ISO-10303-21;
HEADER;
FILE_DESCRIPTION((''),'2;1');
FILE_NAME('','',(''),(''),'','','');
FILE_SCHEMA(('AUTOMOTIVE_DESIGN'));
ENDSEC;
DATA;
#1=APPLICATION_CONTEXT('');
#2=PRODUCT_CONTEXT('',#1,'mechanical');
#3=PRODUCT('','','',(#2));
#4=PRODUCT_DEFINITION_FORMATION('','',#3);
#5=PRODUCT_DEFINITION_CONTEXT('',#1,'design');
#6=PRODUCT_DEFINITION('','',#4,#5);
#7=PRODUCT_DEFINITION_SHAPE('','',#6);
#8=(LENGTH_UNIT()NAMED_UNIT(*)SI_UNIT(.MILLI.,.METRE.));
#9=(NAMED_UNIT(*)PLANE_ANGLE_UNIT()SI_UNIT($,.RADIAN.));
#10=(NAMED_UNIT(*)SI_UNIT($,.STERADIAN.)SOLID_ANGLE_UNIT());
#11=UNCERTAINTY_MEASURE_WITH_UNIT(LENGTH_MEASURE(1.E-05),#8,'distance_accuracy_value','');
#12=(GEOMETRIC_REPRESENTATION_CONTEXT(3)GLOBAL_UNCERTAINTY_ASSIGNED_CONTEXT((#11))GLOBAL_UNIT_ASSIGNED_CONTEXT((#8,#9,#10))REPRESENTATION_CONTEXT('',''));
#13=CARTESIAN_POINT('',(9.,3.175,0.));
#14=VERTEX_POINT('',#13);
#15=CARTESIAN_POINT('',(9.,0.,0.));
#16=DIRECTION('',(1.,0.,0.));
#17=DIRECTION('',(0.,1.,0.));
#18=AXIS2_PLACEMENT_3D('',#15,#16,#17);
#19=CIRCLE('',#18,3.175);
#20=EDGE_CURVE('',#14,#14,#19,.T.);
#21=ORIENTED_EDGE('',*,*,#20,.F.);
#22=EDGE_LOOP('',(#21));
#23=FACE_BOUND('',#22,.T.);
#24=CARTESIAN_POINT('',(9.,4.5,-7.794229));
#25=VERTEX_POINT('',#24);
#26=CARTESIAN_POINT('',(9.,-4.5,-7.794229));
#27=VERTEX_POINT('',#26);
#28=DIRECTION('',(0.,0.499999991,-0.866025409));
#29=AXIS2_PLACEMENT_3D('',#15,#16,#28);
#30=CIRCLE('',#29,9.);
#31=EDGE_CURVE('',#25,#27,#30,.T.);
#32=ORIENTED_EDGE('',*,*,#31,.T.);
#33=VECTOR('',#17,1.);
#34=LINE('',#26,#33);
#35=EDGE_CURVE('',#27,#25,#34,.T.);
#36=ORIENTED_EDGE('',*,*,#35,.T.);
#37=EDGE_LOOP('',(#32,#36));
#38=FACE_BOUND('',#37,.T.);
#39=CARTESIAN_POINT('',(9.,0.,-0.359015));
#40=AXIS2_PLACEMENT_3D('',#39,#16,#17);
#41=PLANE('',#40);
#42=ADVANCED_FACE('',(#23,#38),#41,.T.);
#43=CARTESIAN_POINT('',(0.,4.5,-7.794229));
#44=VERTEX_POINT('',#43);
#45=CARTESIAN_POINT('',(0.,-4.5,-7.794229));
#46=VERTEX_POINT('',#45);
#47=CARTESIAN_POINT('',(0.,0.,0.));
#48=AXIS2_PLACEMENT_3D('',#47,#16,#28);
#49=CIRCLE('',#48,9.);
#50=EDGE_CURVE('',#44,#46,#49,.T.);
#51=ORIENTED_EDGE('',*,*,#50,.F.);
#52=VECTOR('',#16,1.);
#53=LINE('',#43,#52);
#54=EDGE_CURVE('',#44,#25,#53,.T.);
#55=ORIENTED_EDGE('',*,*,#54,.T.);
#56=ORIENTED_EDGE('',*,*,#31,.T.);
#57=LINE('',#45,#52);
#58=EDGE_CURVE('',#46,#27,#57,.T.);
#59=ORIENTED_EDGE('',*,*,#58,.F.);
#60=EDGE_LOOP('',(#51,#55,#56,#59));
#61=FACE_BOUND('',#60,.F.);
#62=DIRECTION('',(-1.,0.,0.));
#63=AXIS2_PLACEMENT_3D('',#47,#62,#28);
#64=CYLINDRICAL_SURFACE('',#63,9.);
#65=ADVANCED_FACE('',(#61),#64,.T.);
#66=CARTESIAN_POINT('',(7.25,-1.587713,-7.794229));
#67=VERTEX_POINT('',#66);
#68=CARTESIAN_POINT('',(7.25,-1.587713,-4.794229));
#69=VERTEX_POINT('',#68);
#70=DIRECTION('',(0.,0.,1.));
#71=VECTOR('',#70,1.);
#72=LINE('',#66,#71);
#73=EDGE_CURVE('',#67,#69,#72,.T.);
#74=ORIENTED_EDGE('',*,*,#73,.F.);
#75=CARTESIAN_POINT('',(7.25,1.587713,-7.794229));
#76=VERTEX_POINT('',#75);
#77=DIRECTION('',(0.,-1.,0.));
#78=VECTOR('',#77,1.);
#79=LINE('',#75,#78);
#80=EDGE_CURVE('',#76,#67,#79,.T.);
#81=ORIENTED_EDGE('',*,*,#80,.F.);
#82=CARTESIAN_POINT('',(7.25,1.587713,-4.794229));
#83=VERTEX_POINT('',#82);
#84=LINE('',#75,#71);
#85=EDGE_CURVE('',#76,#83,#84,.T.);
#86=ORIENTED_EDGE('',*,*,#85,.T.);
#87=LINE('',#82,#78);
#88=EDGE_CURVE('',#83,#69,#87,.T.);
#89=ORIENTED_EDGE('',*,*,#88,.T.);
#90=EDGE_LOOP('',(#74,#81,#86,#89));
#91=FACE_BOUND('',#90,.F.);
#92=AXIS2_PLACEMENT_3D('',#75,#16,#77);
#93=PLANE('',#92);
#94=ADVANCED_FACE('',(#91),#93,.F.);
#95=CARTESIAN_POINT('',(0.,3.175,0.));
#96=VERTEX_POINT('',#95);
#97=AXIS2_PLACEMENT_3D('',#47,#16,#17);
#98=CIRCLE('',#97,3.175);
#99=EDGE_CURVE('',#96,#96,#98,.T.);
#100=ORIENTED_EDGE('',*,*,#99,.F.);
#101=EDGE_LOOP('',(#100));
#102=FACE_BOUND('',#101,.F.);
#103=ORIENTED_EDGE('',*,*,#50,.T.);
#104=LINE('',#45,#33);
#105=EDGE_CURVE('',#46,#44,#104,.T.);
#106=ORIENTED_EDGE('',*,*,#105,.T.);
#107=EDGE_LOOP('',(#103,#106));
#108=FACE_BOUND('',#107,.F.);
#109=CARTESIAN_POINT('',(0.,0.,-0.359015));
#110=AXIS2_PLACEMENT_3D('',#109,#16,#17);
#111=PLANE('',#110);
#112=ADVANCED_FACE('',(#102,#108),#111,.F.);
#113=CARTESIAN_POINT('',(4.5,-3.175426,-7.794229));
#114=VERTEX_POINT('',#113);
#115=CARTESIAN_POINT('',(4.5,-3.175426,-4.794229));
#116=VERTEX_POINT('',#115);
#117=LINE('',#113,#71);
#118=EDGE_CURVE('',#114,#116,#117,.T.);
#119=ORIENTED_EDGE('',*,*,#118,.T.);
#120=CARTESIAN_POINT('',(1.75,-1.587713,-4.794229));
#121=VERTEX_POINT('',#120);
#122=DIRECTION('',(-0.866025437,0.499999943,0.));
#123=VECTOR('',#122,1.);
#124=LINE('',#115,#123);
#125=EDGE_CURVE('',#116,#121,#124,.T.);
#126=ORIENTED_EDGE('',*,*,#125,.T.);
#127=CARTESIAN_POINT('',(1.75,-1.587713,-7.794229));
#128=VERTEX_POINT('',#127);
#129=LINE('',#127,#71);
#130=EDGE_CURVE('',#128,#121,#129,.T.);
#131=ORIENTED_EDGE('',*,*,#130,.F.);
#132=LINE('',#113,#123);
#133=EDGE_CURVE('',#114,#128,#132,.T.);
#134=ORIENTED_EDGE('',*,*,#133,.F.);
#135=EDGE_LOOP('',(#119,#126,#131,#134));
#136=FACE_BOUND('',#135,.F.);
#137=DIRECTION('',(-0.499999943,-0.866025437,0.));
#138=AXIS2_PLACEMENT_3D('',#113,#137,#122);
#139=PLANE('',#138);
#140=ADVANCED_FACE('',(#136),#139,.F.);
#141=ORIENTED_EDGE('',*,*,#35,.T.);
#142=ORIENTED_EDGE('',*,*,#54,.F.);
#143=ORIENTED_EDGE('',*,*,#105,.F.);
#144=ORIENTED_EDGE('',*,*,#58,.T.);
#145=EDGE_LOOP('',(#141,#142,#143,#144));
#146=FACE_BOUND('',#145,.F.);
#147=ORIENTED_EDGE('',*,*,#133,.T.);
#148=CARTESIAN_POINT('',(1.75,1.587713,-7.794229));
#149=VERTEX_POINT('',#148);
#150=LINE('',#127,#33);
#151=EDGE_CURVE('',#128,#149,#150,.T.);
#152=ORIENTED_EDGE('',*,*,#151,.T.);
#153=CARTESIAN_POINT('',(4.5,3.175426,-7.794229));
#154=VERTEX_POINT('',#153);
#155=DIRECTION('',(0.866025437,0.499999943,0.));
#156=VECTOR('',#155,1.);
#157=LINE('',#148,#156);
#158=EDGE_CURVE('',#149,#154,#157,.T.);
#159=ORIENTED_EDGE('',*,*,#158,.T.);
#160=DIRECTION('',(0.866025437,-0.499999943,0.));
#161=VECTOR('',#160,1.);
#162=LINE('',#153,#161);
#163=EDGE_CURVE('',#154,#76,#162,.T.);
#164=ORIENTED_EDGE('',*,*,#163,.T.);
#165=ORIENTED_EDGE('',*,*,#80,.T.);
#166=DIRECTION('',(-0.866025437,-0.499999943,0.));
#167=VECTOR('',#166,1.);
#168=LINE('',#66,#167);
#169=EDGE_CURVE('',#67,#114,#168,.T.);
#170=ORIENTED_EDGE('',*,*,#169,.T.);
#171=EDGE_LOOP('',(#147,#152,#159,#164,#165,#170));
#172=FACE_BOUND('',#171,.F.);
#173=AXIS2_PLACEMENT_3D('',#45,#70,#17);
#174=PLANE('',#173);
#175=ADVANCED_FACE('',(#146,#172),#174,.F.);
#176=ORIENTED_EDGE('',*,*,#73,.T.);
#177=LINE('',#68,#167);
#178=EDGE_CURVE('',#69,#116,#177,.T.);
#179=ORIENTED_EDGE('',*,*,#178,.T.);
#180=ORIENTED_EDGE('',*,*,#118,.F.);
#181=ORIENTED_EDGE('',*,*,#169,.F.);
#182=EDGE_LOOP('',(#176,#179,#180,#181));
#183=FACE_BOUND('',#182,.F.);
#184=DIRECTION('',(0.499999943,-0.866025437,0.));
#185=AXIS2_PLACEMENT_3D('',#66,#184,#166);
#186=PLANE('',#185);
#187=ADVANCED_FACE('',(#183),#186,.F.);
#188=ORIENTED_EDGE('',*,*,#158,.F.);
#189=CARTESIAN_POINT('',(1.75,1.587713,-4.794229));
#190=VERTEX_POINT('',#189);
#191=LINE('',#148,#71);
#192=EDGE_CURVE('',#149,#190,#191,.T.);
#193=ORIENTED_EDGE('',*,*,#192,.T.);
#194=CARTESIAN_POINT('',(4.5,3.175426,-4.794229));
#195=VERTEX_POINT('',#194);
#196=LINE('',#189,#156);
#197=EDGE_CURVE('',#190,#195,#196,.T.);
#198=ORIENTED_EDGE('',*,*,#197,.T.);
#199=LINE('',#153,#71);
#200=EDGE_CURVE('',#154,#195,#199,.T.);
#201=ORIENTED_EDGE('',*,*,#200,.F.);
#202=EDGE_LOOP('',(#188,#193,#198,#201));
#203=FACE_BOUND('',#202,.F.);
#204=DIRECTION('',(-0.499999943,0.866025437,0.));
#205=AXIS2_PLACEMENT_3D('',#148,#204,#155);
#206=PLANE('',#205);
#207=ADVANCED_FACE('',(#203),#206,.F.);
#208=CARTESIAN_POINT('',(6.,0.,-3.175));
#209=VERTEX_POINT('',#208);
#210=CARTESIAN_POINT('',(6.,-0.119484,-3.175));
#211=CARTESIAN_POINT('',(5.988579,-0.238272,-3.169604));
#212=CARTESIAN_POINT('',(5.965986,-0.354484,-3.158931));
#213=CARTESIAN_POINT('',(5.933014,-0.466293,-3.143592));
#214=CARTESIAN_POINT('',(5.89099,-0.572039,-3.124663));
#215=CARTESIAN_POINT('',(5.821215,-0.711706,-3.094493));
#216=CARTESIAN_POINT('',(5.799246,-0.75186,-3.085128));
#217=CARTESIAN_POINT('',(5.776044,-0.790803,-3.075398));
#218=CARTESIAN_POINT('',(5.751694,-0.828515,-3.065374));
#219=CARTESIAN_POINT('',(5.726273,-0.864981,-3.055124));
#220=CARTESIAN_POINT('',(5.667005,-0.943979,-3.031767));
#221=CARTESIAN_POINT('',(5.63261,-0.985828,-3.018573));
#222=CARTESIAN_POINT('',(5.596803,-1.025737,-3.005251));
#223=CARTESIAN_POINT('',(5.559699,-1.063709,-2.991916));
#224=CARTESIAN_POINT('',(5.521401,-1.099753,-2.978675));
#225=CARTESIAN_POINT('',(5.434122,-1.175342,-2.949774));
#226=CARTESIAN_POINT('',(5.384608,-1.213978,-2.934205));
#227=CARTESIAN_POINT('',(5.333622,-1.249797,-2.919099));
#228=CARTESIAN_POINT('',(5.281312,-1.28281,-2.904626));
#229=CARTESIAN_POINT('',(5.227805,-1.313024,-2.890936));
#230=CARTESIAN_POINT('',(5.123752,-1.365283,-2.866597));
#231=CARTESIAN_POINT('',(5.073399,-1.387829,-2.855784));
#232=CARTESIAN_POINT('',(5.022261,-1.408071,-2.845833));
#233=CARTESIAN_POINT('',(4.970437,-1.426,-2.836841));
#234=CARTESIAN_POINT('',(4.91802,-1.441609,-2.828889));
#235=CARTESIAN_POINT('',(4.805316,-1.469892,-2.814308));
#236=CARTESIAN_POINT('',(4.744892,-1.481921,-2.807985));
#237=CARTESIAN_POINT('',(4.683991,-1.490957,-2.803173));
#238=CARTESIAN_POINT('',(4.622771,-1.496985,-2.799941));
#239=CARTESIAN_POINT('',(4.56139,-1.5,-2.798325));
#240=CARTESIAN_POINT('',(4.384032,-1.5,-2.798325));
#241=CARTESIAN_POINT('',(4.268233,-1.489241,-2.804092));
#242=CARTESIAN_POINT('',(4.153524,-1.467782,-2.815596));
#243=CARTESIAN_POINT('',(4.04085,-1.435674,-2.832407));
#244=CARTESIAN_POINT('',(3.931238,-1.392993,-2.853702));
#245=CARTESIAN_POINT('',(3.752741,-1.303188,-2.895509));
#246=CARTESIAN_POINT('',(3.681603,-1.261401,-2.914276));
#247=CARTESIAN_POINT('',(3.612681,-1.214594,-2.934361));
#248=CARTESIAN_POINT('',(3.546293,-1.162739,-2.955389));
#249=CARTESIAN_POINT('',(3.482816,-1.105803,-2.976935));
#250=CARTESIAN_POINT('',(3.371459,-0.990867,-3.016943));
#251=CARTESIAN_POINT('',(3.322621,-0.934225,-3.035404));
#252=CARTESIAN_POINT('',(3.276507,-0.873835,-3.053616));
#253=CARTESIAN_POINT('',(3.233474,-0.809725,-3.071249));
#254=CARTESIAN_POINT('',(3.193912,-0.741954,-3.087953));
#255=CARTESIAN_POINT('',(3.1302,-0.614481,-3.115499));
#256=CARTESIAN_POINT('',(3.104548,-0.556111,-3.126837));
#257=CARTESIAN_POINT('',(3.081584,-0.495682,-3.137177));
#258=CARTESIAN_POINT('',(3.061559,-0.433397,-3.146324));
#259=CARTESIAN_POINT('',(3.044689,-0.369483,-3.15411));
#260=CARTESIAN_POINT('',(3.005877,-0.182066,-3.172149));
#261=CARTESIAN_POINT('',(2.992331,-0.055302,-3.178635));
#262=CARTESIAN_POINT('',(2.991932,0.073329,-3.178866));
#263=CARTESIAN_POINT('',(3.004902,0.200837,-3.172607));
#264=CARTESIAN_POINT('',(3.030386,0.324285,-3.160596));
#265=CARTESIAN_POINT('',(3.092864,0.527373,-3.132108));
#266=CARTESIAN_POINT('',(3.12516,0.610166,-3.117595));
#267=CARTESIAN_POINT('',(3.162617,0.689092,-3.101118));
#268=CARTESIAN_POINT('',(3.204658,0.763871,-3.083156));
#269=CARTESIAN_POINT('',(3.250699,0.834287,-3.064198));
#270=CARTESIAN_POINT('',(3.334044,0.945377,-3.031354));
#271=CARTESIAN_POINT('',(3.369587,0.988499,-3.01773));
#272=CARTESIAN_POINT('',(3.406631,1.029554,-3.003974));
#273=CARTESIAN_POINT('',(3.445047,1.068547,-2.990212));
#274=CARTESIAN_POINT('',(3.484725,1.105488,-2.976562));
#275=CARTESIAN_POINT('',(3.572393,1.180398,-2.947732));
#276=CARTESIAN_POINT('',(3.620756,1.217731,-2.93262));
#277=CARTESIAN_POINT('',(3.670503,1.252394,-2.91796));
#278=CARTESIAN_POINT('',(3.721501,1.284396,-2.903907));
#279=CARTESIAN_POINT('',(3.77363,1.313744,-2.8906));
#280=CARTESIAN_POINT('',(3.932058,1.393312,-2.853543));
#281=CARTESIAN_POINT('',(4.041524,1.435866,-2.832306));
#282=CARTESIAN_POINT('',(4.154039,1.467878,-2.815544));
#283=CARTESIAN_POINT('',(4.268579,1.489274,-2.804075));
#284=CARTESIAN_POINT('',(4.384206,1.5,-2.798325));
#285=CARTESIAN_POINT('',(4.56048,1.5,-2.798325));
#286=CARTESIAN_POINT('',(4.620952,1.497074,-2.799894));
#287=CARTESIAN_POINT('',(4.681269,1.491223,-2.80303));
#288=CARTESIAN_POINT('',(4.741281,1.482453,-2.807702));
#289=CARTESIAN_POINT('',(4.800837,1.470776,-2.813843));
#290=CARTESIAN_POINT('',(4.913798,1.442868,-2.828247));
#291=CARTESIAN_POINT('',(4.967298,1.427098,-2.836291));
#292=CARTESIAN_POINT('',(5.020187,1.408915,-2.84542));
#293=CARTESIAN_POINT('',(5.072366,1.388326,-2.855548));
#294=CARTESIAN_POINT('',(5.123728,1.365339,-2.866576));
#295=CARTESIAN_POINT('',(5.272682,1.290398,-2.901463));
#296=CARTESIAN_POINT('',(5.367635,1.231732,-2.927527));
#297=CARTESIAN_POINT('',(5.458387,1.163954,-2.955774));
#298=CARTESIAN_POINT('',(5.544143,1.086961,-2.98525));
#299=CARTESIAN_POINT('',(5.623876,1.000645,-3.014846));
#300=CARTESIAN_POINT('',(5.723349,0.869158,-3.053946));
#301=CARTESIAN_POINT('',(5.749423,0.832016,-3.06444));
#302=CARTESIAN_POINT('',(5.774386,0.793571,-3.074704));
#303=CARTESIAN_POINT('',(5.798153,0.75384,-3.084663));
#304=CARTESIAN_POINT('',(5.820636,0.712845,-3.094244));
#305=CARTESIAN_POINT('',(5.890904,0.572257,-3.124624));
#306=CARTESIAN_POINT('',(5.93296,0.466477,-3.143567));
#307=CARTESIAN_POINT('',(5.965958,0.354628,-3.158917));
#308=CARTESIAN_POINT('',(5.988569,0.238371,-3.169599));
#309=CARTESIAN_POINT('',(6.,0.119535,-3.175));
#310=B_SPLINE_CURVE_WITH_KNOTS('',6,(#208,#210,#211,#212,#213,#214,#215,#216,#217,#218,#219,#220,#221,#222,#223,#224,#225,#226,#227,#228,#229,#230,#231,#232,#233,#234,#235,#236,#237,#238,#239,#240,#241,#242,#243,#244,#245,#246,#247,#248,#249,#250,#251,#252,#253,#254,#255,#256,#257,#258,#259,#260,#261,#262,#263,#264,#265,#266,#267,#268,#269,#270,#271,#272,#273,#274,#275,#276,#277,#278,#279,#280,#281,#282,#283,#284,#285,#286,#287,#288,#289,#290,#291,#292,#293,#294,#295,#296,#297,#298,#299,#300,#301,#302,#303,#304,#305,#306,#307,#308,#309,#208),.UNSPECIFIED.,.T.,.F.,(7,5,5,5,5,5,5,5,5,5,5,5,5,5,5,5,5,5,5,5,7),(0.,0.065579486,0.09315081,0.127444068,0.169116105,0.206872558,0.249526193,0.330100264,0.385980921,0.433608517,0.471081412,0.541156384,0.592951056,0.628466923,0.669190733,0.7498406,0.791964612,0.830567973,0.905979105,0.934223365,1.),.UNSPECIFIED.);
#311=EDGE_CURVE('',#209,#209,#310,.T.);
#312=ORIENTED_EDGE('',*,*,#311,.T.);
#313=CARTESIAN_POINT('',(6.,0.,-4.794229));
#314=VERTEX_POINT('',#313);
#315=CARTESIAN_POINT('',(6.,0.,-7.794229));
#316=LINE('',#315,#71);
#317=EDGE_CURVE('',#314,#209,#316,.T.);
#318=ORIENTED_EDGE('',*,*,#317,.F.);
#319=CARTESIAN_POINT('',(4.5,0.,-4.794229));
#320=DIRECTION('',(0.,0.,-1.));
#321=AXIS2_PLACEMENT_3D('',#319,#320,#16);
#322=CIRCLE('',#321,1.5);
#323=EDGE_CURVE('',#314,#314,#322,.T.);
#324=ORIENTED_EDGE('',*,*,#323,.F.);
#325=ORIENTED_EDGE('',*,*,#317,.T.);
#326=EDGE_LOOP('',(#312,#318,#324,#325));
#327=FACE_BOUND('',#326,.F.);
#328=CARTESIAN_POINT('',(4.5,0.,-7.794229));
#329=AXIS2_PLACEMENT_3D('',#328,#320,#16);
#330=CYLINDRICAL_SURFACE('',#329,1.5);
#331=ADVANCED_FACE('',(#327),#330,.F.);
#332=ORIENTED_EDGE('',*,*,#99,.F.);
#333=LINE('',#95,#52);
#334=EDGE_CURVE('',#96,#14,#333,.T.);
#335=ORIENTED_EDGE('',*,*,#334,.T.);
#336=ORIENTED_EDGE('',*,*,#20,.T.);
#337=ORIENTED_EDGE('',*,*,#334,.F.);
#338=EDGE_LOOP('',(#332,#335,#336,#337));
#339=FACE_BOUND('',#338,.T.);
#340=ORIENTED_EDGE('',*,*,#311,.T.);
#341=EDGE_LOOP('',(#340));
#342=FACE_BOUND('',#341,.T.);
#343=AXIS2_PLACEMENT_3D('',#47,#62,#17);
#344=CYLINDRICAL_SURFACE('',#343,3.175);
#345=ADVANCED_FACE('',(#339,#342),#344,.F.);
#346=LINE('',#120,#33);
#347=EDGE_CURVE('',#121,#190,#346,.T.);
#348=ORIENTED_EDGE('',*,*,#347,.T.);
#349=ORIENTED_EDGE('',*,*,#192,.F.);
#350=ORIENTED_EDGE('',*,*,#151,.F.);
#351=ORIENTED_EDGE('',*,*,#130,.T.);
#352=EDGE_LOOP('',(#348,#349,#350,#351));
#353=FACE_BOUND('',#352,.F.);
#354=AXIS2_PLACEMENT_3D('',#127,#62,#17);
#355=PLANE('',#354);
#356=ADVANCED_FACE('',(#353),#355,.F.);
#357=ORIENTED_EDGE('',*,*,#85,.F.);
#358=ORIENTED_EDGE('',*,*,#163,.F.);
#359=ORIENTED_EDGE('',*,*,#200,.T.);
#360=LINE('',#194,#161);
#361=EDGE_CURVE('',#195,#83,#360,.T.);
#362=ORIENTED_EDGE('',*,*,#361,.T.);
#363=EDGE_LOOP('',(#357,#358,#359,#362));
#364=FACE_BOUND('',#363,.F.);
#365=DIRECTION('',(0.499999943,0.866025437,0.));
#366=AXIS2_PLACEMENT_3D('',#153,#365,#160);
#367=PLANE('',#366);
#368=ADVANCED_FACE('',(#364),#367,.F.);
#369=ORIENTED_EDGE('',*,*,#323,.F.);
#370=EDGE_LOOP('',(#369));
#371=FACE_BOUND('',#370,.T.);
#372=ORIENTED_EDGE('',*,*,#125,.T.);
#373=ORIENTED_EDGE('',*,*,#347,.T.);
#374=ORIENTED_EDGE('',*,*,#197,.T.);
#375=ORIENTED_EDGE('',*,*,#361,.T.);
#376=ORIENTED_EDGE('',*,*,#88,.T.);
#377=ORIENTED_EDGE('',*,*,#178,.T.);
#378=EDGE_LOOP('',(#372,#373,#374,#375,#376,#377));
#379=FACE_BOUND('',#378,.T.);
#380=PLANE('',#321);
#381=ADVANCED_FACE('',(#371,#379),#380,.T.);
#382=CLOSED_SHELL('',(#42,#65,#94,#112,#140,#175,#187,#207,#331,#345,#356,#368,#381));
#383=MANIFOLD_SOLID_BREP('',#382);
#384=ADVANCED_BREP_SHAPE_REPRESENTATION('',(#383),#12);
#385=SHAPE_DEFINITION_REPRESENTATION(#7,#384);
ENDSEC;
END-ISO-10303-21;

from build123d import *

# Parameters (mm, degrees)
F0_R     = 3.175
F1_DEPTH = 9
F3_DEPTH = 3
F4_R     = 1.5
F5_DEPTH = 6


with BuildPart() as f1:
    # F0 (on Right) → F1 (new body)
    with BuildSketch(Plane.YZ):
        with BuildLine():
            ThreePointArc((4.5, -7.794229), (0, 9), (-4.5, -7.794229))
            Line((-4.5, -7.794229), (4.5, -7.794229))
        make_face()
        Circle(F0_R, mode=Mode.SUBTRACT)
    extrude(amount=F1_DEPTH)

    # F2 (on face) → F3 (cut)
    with BuildSketch(Plane(origin=(0, 0, -7.794229), x_dir=(1, 0, 0), z_dir=(0, 0, -1))):
        Polygon((1.75, 1.587713), (1.75, -1.587713), (4.5, -3.175426), (7.25, -1.587713), (7.25, 1.587713), (4.5, 3.175426), align=None)
    extrude(amount=-F3_DEPTH, mode=Mode.SUBTRACT)

    # F4 (on face) → F5 (cut)
    with BuildSketch(Plane(origin=(0, 0, -7.794229), x_dir=(1, 0, 0), z_dir=(0, 0, -1))):
        with Locations((4.5, 0)):
            Circle(F4_R)
    extrude(amount=-F5_DEPTH, mode=Mode.SUBTRACT)


solid = f1.part
